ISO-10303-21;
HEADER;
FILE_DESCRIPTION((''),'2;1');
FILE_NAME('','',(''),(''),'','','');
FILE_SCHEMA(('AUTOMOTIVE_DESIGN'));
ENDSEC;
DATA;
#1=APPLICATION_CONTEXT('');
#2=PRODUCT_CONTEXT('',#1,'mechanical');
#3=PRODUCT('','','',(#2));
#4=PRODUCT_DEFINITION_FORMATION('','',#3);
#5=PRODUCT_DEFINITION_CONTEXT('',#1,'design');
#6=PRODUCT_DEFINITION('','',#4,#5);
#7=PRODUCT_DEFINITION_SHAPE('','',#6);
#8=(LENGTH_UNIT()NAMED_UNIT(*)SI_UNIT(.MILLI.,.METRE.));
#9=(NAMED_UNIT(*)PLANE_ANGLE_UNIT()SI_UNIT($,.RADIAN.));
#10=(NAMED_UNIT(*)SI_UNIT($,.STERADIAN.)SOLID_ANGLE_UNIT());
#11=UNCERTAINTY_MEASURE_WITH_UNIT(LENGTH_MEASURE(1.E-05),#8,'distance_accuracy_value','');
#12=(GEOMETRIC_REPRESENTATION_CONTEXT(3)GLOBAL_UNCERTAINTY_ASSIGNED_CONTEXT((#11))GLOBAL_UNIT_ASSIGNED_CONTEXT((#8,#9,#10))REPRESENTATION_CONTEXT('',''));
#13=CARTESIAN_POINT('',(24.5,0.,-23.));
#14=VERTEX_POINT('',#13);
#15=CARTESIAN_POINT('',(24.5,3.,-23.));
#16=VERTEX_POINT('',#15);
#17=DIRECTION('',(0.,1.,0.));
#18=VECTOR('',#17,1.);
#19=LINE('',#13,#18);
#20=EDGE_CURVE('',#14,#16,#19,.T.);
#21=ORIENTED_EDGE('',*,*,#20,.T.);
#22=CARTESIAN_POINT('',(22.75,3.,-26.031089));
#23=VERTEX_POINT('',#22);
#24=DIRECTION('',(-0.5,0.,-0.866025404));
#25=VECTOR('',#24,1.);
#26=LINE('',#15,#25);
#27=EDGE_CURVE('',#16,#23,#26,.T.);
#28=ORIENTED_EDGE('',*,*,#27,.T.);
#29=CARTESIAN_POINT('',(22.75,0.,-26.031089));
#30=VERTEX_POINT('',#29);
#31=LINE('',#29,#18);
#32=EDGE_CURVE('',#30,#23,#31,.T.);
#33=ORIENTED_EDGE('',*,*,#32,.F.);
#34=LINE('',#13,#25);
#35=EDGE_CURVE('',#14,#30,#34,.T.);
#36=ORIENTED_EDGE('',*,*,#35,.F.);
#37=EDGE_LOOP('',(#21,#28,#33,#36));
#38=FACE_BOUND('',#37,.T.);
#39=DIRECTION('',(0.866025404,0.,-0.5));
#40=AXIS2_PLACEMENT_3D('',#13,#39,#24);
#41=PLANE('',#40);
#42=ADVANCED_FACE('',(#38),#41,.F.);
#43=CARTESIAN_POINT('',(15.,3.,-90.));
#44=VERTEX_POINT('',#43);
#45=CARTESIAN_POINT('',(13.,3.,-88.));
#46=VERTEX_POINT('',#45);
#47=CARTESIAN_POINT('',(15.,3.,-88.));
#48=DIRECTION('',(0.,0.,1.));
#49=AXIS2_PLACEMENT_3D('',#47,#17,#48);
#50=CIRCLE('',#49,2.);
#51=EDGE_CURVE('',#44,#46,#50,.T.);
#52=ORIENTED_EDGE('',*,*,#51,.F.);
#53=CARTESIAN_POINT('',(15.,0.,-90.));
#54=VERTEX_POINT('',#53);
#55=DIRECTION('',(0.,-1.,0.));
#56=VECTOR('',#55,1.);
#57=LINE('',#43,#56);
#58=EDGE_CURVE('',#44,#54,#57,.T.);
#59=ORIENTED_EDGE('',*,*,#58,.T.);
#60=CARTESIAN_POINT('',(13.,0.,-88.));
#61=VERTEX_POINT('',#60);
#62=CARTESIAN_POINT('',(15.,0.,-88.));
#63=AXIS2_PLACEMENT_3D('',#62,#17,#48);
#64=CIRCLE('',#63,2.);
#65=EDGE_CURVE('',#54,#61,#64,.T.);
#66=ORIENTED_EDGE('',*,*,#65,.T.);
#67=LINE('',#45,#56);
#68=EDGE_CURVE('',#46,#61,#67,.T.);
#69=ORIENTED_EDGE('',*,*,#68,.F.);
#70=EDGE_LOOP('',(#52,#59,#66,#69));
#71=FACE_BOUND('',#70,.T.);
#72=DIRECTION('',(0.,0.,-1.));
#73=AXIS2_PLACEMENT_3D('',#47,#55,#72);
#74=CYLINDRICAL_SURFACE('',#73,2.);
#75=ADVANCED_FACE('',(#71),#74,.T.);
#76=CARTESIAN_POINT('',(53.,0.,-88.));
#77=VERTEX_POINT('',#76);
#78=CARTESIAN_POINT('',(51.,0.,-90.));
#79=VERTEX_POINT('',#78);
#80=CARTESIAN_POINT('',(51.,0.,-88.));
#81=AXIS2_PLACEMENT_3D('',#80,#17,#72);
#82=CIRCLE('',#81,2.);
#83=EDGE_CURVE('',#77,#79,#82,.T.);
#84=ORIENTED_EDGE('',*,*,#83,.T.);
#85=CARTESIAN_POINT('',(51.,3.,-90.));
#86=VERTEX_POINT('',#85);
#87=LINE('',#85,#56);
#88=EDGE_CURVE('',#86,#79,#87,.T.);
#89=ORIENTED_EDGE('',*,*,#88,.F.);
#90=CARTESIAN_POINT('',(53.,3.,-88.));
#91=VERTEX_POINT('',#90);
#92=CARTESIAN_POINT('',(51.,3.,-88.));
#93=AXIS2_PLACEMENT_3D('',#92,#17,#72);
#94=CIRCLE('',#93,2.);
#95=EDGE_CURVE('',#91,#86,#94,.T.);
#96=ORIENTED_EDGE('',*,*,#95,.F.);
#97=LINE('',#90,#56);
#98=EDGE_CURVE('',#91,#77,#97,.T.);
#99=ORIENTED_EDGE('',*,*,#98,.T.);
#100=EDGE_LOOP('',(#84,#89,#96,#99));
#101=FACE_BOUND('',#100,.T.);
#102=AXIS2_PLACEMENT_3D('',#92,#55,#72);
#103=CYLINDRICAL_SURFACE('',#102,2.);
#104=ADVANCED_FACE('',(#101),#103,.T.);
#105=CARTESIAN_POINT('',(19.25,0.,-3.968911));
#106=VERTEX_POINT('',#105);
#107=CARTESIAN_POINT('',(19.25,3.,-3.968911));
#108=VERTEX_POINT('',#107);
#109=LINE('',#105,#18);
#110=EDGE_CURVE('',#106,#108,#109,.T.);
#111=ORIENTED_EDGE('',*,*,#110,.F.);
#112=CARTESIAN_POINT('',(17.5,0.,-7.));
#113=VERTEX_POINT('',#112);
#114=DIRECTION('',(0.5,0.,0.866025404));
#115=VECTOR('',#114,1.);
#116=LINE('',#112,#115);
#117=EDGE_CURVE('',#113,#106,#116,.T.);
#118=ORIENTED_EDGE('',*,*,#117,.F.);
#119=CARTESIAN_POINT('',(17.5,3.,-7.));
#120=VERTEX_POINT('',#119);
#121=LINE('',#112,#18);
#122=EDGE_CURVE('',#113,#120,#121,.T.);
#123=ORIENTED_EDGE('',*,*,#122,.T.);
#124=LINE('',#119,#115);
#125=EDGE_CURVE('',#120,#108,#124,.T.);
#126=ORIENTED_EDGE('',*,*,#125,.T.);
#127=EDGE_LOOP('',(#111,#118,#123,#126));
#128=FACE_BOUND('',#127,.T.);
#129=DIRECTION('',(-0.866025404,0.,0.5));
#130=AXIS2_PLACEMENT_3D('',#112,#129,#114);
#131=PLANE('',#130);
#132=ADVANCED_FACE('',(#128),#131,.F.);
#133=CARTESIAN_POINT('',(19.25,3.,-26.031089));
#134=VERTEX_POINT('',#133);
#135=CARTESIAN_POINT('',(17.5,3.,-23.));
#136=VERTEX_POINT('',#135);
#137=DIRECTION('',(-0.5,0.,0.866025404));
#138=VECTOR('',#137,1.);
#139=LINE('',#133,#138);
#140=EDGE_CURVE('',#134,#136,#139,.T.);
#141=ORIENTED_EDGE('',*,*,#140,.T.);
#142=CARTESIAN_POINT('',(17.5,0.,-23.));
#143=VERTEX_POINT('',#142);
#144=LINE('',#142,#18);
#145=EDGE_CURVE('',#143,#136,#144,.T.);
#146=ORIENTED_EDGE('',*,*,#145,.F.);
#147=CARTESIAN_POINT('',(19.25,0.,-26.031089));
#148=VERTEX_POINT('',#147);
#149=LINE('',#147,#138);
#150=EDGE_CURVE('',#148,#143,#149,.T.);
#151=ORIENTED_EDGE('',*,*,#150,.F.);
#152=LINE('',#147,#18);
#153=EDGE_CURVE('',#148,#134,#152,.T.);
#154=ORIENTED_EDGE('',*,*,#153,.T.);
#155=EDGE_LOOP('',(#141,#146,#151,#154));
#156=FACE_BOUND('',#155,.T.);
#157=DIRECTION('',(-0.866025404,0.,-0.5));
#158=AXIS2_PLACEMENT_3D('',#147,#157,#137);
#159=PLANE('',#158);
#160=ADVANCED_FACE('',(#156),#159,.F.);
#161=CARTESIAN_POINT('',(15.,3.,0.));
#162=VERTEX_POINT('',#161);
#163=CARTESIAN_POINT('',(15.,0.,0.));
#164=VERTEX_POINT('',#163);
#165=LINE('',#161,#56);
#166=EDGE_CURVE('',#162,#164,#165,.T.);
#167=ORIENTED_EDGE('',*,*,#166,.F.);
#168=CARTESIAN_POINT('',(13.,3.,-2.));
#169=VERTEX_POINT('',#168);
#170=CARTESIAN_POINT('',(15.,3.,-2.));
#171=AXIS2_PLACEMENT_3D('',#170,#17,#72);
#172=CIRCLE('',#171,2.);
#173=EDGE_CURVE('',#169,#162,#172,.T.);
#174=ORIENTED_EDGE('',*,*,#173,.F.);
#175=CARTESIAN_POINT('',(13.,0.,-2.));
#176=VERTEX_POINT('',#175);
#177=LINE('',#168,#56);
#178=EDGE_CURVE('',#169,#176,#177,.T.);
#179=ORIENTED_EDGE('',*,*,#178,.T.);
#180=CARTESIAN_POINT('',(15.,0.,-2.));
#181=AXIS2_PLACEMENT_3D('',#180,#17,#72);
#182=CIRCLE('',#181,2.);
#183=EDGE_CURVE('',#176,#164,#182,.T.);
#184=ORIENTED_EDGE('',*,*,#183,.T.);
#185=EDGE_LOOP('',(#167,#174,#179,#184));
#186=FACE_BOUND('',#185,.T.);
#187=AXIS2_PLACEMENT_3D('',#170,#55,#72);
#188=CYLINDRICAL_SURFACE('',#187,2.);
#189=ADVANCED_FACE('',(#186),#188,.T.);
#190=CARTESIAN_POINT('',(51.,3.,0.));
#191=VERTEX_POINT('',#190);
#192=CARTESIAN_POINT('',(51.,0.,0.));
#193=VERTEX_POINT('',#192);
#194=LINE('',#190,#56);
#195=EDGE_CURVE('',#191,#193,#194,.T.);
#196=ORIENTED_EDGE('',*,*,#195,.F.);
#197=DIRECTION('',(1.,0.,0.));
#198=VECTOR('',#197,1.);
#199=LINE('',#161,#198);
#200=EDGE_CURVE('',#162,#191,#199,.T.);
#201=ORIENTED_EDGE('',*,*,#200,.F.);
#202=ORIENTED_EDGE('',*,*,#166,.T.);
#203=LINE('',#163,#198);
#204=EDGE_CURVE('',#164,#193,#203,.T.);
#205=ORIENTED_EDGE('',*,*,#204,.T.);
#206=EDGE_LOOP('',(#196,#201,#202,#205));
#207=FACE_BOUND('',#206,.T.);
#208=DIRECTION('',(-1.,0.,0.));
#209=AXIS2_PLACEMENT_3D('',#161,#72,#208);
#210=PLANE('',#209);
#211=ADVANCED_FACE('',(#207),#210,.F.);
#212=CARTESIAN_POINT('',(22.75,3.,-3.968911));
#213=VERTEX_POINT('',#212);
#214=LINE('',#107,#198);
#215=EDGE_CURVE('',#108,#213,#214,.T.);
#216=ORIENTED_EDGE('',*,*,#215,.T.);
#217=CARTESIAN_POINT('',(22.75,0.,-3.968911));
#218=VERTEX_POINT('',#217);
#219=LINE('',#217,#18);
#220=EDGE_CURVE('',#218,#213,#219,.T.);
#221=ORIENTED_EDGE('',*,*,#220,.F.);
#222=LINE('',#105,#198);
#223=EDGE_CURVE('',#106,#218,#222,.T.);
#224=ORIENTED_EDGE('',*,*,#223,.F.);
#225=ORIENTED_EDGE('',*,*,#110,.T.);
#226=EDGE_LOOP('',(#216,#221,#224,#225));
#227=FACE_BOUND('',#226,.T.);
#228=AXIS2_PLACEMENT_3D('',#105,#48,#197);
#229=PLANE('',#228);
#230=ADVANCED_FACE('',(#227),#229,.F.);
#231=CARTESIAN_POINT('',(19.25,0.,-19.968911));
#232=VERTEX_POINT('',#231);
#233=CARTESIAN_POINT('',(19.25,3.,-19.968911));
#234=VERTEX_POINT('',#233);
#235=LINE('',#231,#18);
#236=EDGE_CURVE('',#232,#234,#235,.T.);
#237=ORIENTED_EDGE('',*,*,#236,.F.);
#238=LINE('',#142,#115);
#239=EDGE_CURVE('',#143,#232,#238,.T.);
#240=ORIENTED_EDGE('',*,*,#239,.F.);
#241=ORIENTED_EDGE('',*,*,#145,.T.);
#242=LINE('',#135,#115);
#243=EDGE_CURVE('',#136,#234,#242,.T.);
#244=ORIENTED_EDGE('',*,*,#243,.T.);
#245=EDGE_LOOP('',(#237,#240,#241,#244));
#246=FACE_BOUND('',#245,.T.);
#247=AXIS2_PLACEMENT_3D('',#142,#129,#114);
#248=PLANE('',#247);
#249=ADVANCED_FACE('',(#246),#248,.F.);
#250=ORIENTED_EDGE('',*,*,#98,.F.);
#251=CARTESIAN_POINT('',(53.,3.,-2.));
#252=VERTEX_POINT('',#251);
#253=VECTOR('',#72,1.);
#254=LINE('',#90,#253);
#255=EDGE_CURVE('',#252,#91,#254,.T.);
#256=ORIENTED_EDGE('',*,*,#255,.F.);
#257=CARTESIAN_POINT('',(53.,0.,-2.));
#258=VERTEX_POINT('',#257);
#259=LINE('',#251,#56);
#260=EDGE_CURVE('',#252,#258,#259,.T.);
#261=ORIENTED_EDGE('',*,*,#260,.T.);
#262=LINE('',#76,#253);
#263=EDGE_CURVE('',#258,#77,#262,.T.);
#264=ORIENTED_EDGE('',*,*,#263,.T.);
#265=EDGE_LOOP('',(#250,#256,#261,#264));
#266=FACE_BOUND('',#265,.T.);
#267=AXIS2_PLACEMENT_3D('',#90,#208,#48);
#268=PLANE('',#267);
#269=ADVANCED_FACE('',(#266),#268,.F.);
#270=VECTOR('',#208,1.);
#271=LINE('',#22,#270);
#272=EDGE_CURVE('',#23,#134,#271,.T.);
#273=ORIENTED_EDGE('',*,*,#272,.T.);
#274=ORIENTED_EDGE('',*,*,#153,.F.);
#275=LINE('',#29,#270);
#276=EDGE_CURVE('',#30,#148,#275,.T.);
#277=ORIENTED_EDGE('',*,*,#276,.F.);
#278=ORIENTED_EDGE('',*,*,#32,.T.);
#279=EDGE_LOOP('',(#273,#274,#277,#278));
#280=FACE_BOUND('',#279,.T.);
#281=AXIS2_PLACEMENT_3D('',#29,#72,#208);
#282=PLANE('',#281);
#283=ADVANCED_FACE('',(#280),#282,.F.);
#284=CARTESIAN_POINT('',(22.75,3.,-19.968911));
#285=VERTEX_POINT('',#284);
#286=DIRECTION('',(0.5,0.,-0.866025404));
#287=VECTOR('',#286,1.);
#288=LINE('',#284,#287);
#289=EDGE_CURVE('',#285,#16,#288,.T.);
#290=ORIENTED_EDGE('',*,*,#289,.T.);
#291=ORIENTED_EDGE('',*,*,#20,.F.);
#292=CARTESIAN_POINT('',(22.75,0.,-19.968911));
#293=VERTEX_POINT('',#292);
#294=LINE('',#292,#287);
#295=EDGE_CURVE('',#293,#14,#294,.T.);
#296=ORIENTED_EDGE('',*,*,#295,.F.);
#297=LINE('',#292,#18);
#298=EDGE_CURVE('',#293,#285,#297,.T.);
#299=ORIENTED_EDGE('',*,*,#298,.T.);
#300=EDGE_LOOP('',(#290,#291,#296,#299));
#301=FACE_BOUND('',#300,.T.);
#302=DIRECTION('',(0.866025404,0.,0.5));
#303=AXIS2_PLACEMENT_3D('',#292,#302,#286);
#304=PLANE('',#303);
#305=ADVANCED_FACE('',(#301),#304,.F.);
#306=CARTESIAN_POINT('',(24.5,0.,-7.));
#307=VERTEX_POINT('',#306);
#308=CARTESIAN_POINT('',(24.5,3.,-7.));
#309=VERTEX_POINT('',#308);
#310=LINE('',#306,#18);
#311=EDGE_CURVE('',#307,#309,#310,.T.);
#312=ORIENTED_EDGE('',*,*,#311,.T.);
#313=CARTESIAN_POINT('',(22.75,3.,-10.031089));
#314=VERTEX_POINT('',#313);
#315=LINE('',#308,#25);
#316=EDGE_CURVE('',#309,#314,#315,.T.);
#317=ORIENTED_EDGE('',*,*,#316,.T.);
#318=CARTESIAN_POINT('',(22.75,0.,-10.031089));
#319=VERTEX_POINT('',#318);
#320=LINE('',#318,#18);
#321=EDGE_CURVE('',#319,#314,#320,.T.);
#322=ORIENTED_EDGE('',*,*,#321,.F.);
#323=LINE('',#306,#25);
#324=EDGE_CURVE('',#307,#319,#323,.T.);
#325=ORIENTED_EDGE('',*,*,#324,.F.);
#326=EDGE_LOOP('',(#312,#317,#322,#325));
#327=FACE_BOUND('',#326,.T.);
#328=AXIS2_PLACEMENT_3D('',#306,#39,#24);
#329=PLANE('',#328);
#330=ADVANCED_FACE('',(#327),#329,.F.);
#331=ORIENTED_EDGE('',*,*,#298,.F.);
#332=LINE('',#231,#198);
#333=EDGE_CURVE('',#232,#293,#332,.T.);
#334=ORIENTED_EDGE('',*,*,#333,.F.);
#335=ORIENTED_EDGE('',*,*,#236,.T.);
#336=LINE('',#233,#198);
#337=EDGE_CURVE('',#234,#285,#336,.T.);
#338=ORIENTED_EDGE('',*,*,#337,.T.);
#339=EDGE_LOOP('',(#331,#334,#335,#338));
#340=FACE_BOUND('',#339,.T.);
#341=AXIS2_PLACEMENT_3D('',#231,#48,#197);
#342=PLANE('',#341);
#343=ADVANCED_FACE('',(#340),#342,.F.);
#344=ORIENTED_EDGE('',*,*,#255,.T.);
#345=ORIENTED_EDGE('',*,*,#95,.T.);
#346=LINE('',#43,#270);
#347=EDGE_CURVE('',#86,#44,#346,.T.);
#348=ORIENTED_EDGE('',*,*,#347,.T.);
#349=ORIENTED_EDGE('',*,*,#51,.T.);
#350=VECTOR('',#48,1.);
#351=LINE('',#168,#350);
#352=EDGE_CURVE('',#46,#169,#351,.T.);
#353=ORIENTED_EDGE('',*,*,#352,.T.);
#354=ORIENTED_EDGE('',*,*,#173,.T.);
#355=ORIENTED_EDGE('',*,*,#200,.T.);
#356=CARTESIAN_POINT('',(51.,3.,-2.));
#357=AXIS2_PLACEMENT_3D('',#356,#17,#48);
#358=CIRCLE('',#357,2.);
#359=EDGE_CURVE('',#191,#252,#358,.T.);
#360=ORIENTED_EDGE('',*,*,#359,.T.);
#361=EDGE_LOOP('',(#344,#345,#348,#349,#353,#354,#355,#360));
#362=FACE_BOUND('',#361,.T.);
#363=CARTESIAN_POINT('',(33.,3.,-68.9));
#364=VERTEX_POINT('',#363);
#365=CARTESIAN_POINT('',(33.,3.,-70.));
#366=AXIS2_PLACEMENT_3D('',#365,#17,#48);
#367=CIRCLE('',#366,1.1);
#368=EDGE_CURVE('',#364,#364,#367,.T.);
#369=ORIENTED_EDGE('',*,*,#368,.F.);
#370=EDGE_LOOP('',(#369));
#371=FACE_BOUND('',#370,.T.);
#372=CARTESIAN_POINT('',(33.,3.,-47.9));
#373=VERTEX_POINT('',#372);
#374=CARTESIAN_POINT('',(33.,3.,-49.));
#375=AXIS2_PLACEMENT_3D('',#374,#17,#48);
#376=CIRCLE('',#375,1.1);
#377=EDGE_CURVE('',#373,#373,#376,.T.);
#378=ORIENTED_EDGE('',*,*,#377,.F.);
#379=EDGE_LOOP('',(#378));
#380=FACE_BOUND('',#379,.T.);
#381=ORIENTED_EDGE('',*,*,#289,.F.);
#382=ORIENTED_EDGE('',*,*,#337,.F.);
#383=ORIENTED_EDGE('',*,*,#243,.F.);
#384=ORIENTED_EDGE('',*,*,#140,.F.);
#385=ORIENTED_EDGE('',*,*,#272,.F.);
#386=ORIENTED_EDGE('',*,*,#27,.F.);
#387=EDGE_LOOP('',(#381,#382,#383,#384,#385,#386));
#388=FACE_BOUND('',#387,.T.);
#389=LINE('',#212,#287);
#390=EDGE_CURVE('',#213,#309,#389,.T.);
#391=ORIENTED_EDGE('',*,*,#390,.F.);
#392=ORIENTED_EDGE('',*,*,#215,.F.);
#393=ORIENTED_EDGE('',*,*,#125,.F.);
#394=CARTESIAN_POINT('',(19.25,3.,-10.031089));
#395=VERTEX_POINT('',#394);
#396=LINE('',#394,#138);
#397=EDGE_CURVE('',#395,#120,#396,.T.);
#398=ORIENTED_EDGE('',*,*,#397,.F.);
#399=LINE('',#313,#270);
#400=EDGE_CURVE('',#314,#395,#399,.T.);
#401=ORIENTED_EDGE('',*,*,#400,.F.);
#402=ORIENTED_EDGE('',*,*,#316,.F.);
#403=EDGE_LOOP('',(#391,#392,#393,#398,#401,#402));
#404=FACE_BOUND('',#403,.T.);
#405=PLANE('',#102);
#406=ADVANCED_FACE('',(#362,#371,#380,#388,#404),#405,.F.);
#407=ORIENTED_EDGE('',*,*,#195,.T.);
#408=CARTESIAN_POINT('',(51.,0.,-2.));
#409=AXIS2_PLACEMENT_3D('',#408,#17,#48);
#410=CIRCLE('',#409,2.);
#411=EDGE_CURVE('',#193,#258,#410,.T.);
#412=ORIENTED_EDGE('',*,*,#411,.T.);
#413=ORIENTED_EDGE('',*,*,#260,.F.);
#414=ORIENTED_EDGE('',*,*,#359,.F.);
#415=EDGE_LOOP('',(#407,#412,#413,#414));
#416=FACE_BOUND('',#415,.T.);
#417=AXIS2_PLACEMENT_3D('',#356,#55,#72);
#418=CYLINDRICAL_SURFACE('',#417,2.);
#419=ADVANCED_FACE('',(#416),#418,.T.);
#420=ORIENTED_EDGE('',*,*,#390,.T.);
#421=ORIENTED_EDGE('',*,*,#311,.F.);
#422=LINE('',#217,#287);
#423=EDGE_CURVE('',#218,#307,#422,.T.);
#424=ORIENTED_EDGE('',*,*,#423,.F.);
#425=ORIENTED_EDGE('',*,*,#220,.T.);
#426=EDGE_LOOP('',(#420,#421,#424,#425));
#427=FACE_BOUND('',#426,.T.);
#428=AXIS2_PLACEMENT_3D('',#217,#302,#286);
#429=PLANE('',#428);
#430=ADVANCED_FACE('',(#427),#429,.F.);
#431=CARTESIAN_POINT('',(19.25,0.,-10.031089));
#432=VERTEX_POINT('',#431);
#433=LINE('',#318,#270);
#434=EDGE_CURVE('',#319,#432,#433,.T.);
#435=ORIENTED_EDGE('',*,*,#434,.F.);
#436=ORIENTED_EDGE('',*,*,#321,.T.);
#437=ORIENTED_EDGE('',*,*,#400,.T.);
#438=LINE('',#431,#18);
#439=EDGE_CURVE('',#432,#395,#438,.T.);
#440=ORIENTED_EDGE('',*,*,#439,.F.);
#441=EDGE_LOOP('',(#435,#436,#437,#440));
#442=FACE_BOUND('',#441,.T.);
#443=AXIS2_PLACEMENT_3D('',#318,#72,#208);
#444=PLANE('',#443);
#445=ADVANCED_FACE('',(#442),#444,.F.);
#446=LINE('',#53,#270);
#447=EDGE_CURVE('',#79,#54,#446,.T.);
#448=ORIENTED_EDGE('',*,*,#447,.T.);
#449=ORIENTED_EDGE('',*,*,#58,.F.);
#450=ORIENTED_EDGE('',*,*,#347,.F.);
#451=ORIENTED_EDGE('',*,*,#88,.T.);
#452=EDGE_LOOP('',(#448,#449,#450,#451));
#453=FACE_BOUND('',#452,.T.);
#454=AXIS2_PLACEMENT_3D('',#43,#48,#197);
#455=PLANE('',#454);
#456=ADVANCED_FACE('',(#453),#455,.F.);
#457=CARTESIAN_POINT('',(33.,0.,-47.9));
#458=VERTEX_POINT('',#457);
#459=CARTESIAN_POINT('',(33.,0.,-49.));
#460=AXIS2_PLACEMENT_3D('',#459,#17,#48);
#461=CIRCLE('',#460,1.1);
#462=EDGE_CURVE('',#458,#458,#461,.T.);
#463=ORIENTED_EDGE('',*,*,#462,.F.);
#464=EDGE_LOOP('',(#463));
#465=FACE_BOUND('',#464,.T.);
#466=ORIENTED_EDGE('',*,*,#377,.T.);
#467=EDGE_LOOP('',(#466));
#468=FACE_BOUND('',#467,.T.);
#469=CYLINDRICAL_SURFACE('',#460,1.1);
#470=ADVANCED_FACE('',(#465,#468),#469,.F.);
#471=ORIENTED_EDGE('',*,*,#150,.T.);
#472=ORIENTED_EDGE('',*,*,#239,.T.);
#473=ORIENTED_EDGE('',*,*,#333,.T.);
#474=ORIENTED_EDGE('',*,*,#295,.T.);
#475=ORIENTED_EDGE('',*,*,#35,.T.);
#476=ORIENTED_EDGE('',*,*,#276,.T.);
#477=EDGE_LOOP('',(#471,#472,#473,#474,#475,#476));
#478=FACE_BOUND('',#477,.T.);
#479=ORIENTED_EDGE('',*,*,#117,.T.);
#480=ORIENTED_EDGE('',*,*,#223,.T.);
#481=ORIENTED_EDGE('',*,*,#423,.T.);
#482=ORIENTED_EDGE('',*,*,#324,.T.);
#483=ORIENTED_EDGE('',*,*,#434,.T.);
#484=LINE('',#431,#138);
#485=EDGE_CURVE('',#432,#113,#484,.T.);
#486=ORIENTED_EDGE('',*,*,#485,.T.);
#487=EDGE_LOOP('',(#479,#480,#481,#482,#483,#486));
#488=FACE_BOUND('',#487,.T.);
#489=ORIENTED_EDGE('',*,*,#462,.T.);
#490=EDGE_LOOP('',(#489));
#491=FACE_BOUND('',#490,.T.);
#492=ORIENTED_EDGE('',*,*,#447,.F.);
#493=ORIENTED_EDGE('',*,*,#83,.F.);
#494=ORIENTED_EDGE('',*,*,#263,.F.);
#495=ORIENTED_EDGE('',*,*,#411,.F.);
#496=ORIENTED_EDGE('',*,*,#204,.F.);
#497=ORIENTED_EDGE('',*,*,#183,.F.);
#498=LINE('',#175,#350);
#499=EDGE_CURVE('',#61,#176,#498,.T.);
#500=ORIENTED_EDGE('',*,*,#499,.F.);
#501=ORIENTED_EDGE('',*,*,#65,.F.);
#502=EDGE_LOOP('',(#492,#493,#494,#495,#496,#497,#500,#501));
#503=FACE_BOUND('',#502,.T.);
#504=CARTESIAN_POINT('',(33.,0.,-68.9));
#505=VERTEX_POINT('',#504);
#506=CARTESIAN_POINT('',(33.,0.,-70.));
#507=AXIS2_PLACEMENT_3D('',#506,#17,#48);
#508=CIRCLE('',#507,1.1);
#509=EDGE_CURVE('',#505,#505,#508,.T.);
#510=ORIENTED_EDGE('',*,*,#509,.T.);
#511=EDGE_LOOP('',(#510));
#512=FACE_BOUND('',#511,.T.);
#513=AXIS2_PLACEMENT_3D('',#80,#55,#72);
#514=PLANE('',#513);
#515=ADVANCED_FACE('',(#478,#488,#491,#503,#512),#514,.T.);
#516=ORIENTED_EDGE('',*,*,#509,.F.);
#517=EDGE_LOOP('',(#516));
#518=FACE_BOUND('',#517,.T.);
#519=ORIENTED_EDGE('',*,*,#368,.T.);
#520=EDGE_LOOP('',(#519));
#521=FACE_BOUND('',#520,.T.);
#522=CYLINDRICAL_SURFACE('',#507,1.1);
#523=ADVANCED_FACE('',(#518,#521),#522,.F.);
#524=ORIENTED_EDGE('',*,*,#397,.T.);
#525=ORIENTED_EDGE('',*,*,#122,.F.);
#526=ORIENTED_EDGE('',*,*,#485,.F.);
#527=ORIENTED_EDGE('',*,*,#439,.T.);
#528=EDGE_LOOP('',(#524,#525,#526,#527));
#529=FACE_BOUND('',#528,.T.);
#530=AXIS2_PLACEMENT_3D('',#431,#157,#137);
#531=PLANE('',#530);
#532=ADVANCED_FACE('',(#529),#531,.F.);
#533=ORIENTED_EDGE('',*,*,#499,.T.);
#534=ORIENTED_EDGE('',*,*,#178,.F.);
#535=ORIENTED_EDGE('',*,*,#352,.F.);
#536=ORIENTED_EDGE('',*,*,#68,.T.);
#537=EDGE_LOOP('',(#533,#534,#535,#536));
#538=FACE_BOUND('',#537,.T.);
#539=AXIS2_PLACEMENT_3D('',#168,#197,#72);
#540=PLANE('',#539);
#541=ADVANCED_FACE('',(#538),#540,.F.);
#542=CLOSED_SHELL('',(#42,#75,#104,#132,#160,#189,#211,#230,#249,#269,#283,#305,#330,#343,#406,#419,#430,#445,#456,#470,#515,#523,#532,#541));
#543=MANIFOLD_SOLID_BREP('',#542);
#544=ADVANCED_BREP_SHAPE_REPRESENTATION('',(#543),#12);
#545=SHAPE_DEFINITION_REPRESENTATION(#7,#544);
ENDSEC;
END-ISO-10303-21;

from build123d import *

# Parameters (mm, degrees)
EXTRUSION1_DEPTH        = 3
ESQUISSE2_R             = 1.1
ENL_V_MAT_EXTRU_1_DEPTH = 4
ESQUISSE3_R             = 1.1
ENL_V_MAT_EXTRU_2_DEPTH = 4


with BuildPart() as part:
    # Esquisse1 → Extrusion1 (new body)
    with BuildSketch(Plane(origin=(0, 0, 0), x_dir=(1, 0, 0), z_dir=(0, 1, 0))):
        with BuildLine():
            Line((13, 2), (13, 88))
            ThreePointArc((13, 88), (13.585786438, 89.414213562), (15, 90))
            Line((15, 90), (51, 90))
            ThreePointArc((51, 90), (52.414213562, 89.414213562), (53, 88))
            Line((53, 88), (53, 2))
            ThreePointArc((53, 2), (52.414213562, 0.585786438), (51, 0))
            Line((51, 0), (15, 0))
            ThreePointArc((15, 0), (13.585786438, 0.585786438), (13, 2))
        make_face()
    extrude(amount=EXTRUSION1_DEPTH)

    # Esquisse2 → Enlèv. mat.-Extru.1 (cut, through all)
    with BuildSketch(Plane.XZ):
        with Locations(Location((21, -7, 0), (0, 0, 90))):  # turned: the seam where the file's is
            Circle(ESQUISSE2_R)
        with Locations(Location((21, -23, 0), (0, 0, 90))):  # turned: the seam where the file's is
            Circle(ESQUISSE2_R)
    extrude(amount=-ENL_V_MAT_EXTRU_1_DEPTH, mode=Mode.SUBTRACT)

    # Esquisse3 → Enlèv. mat.-Extru.2 (cut, through all)
    with BuildSketch(Plane(origin=(0, 3, 0), x_dir=(1, 0, 0), z_dir=(0, 1, 0))):
        with Locations(Location((33, 70, 0), (0, 0, 270))):  # turned: the seam where the file's is
            Circle(ESQUISSE3_R)
        with Locations(Location((33, 49, 0), (0, 0, 270))):  # turned: the seam where the file's is
            Circle(ESQUISSE3_R)
        Polygon((17.5, 23), (19.25, 19.968911087), (22.75, 19.968911087), (24.5, 23), (22.75, 26.031088913), (19.25, 26.031088913), align=None)
        Polygon((17.5, 7), (19.25, 3.968911087), (22.75, 3.968911087), (24.5, 7), (22.75, 10.031088913), (19.25, 10.031088913), align=None)
    extrude(amount=-ENL_V_MAT_EXTRU_2_DEPTH, mode=Mode.SUBTRACT)


solid = part.part
